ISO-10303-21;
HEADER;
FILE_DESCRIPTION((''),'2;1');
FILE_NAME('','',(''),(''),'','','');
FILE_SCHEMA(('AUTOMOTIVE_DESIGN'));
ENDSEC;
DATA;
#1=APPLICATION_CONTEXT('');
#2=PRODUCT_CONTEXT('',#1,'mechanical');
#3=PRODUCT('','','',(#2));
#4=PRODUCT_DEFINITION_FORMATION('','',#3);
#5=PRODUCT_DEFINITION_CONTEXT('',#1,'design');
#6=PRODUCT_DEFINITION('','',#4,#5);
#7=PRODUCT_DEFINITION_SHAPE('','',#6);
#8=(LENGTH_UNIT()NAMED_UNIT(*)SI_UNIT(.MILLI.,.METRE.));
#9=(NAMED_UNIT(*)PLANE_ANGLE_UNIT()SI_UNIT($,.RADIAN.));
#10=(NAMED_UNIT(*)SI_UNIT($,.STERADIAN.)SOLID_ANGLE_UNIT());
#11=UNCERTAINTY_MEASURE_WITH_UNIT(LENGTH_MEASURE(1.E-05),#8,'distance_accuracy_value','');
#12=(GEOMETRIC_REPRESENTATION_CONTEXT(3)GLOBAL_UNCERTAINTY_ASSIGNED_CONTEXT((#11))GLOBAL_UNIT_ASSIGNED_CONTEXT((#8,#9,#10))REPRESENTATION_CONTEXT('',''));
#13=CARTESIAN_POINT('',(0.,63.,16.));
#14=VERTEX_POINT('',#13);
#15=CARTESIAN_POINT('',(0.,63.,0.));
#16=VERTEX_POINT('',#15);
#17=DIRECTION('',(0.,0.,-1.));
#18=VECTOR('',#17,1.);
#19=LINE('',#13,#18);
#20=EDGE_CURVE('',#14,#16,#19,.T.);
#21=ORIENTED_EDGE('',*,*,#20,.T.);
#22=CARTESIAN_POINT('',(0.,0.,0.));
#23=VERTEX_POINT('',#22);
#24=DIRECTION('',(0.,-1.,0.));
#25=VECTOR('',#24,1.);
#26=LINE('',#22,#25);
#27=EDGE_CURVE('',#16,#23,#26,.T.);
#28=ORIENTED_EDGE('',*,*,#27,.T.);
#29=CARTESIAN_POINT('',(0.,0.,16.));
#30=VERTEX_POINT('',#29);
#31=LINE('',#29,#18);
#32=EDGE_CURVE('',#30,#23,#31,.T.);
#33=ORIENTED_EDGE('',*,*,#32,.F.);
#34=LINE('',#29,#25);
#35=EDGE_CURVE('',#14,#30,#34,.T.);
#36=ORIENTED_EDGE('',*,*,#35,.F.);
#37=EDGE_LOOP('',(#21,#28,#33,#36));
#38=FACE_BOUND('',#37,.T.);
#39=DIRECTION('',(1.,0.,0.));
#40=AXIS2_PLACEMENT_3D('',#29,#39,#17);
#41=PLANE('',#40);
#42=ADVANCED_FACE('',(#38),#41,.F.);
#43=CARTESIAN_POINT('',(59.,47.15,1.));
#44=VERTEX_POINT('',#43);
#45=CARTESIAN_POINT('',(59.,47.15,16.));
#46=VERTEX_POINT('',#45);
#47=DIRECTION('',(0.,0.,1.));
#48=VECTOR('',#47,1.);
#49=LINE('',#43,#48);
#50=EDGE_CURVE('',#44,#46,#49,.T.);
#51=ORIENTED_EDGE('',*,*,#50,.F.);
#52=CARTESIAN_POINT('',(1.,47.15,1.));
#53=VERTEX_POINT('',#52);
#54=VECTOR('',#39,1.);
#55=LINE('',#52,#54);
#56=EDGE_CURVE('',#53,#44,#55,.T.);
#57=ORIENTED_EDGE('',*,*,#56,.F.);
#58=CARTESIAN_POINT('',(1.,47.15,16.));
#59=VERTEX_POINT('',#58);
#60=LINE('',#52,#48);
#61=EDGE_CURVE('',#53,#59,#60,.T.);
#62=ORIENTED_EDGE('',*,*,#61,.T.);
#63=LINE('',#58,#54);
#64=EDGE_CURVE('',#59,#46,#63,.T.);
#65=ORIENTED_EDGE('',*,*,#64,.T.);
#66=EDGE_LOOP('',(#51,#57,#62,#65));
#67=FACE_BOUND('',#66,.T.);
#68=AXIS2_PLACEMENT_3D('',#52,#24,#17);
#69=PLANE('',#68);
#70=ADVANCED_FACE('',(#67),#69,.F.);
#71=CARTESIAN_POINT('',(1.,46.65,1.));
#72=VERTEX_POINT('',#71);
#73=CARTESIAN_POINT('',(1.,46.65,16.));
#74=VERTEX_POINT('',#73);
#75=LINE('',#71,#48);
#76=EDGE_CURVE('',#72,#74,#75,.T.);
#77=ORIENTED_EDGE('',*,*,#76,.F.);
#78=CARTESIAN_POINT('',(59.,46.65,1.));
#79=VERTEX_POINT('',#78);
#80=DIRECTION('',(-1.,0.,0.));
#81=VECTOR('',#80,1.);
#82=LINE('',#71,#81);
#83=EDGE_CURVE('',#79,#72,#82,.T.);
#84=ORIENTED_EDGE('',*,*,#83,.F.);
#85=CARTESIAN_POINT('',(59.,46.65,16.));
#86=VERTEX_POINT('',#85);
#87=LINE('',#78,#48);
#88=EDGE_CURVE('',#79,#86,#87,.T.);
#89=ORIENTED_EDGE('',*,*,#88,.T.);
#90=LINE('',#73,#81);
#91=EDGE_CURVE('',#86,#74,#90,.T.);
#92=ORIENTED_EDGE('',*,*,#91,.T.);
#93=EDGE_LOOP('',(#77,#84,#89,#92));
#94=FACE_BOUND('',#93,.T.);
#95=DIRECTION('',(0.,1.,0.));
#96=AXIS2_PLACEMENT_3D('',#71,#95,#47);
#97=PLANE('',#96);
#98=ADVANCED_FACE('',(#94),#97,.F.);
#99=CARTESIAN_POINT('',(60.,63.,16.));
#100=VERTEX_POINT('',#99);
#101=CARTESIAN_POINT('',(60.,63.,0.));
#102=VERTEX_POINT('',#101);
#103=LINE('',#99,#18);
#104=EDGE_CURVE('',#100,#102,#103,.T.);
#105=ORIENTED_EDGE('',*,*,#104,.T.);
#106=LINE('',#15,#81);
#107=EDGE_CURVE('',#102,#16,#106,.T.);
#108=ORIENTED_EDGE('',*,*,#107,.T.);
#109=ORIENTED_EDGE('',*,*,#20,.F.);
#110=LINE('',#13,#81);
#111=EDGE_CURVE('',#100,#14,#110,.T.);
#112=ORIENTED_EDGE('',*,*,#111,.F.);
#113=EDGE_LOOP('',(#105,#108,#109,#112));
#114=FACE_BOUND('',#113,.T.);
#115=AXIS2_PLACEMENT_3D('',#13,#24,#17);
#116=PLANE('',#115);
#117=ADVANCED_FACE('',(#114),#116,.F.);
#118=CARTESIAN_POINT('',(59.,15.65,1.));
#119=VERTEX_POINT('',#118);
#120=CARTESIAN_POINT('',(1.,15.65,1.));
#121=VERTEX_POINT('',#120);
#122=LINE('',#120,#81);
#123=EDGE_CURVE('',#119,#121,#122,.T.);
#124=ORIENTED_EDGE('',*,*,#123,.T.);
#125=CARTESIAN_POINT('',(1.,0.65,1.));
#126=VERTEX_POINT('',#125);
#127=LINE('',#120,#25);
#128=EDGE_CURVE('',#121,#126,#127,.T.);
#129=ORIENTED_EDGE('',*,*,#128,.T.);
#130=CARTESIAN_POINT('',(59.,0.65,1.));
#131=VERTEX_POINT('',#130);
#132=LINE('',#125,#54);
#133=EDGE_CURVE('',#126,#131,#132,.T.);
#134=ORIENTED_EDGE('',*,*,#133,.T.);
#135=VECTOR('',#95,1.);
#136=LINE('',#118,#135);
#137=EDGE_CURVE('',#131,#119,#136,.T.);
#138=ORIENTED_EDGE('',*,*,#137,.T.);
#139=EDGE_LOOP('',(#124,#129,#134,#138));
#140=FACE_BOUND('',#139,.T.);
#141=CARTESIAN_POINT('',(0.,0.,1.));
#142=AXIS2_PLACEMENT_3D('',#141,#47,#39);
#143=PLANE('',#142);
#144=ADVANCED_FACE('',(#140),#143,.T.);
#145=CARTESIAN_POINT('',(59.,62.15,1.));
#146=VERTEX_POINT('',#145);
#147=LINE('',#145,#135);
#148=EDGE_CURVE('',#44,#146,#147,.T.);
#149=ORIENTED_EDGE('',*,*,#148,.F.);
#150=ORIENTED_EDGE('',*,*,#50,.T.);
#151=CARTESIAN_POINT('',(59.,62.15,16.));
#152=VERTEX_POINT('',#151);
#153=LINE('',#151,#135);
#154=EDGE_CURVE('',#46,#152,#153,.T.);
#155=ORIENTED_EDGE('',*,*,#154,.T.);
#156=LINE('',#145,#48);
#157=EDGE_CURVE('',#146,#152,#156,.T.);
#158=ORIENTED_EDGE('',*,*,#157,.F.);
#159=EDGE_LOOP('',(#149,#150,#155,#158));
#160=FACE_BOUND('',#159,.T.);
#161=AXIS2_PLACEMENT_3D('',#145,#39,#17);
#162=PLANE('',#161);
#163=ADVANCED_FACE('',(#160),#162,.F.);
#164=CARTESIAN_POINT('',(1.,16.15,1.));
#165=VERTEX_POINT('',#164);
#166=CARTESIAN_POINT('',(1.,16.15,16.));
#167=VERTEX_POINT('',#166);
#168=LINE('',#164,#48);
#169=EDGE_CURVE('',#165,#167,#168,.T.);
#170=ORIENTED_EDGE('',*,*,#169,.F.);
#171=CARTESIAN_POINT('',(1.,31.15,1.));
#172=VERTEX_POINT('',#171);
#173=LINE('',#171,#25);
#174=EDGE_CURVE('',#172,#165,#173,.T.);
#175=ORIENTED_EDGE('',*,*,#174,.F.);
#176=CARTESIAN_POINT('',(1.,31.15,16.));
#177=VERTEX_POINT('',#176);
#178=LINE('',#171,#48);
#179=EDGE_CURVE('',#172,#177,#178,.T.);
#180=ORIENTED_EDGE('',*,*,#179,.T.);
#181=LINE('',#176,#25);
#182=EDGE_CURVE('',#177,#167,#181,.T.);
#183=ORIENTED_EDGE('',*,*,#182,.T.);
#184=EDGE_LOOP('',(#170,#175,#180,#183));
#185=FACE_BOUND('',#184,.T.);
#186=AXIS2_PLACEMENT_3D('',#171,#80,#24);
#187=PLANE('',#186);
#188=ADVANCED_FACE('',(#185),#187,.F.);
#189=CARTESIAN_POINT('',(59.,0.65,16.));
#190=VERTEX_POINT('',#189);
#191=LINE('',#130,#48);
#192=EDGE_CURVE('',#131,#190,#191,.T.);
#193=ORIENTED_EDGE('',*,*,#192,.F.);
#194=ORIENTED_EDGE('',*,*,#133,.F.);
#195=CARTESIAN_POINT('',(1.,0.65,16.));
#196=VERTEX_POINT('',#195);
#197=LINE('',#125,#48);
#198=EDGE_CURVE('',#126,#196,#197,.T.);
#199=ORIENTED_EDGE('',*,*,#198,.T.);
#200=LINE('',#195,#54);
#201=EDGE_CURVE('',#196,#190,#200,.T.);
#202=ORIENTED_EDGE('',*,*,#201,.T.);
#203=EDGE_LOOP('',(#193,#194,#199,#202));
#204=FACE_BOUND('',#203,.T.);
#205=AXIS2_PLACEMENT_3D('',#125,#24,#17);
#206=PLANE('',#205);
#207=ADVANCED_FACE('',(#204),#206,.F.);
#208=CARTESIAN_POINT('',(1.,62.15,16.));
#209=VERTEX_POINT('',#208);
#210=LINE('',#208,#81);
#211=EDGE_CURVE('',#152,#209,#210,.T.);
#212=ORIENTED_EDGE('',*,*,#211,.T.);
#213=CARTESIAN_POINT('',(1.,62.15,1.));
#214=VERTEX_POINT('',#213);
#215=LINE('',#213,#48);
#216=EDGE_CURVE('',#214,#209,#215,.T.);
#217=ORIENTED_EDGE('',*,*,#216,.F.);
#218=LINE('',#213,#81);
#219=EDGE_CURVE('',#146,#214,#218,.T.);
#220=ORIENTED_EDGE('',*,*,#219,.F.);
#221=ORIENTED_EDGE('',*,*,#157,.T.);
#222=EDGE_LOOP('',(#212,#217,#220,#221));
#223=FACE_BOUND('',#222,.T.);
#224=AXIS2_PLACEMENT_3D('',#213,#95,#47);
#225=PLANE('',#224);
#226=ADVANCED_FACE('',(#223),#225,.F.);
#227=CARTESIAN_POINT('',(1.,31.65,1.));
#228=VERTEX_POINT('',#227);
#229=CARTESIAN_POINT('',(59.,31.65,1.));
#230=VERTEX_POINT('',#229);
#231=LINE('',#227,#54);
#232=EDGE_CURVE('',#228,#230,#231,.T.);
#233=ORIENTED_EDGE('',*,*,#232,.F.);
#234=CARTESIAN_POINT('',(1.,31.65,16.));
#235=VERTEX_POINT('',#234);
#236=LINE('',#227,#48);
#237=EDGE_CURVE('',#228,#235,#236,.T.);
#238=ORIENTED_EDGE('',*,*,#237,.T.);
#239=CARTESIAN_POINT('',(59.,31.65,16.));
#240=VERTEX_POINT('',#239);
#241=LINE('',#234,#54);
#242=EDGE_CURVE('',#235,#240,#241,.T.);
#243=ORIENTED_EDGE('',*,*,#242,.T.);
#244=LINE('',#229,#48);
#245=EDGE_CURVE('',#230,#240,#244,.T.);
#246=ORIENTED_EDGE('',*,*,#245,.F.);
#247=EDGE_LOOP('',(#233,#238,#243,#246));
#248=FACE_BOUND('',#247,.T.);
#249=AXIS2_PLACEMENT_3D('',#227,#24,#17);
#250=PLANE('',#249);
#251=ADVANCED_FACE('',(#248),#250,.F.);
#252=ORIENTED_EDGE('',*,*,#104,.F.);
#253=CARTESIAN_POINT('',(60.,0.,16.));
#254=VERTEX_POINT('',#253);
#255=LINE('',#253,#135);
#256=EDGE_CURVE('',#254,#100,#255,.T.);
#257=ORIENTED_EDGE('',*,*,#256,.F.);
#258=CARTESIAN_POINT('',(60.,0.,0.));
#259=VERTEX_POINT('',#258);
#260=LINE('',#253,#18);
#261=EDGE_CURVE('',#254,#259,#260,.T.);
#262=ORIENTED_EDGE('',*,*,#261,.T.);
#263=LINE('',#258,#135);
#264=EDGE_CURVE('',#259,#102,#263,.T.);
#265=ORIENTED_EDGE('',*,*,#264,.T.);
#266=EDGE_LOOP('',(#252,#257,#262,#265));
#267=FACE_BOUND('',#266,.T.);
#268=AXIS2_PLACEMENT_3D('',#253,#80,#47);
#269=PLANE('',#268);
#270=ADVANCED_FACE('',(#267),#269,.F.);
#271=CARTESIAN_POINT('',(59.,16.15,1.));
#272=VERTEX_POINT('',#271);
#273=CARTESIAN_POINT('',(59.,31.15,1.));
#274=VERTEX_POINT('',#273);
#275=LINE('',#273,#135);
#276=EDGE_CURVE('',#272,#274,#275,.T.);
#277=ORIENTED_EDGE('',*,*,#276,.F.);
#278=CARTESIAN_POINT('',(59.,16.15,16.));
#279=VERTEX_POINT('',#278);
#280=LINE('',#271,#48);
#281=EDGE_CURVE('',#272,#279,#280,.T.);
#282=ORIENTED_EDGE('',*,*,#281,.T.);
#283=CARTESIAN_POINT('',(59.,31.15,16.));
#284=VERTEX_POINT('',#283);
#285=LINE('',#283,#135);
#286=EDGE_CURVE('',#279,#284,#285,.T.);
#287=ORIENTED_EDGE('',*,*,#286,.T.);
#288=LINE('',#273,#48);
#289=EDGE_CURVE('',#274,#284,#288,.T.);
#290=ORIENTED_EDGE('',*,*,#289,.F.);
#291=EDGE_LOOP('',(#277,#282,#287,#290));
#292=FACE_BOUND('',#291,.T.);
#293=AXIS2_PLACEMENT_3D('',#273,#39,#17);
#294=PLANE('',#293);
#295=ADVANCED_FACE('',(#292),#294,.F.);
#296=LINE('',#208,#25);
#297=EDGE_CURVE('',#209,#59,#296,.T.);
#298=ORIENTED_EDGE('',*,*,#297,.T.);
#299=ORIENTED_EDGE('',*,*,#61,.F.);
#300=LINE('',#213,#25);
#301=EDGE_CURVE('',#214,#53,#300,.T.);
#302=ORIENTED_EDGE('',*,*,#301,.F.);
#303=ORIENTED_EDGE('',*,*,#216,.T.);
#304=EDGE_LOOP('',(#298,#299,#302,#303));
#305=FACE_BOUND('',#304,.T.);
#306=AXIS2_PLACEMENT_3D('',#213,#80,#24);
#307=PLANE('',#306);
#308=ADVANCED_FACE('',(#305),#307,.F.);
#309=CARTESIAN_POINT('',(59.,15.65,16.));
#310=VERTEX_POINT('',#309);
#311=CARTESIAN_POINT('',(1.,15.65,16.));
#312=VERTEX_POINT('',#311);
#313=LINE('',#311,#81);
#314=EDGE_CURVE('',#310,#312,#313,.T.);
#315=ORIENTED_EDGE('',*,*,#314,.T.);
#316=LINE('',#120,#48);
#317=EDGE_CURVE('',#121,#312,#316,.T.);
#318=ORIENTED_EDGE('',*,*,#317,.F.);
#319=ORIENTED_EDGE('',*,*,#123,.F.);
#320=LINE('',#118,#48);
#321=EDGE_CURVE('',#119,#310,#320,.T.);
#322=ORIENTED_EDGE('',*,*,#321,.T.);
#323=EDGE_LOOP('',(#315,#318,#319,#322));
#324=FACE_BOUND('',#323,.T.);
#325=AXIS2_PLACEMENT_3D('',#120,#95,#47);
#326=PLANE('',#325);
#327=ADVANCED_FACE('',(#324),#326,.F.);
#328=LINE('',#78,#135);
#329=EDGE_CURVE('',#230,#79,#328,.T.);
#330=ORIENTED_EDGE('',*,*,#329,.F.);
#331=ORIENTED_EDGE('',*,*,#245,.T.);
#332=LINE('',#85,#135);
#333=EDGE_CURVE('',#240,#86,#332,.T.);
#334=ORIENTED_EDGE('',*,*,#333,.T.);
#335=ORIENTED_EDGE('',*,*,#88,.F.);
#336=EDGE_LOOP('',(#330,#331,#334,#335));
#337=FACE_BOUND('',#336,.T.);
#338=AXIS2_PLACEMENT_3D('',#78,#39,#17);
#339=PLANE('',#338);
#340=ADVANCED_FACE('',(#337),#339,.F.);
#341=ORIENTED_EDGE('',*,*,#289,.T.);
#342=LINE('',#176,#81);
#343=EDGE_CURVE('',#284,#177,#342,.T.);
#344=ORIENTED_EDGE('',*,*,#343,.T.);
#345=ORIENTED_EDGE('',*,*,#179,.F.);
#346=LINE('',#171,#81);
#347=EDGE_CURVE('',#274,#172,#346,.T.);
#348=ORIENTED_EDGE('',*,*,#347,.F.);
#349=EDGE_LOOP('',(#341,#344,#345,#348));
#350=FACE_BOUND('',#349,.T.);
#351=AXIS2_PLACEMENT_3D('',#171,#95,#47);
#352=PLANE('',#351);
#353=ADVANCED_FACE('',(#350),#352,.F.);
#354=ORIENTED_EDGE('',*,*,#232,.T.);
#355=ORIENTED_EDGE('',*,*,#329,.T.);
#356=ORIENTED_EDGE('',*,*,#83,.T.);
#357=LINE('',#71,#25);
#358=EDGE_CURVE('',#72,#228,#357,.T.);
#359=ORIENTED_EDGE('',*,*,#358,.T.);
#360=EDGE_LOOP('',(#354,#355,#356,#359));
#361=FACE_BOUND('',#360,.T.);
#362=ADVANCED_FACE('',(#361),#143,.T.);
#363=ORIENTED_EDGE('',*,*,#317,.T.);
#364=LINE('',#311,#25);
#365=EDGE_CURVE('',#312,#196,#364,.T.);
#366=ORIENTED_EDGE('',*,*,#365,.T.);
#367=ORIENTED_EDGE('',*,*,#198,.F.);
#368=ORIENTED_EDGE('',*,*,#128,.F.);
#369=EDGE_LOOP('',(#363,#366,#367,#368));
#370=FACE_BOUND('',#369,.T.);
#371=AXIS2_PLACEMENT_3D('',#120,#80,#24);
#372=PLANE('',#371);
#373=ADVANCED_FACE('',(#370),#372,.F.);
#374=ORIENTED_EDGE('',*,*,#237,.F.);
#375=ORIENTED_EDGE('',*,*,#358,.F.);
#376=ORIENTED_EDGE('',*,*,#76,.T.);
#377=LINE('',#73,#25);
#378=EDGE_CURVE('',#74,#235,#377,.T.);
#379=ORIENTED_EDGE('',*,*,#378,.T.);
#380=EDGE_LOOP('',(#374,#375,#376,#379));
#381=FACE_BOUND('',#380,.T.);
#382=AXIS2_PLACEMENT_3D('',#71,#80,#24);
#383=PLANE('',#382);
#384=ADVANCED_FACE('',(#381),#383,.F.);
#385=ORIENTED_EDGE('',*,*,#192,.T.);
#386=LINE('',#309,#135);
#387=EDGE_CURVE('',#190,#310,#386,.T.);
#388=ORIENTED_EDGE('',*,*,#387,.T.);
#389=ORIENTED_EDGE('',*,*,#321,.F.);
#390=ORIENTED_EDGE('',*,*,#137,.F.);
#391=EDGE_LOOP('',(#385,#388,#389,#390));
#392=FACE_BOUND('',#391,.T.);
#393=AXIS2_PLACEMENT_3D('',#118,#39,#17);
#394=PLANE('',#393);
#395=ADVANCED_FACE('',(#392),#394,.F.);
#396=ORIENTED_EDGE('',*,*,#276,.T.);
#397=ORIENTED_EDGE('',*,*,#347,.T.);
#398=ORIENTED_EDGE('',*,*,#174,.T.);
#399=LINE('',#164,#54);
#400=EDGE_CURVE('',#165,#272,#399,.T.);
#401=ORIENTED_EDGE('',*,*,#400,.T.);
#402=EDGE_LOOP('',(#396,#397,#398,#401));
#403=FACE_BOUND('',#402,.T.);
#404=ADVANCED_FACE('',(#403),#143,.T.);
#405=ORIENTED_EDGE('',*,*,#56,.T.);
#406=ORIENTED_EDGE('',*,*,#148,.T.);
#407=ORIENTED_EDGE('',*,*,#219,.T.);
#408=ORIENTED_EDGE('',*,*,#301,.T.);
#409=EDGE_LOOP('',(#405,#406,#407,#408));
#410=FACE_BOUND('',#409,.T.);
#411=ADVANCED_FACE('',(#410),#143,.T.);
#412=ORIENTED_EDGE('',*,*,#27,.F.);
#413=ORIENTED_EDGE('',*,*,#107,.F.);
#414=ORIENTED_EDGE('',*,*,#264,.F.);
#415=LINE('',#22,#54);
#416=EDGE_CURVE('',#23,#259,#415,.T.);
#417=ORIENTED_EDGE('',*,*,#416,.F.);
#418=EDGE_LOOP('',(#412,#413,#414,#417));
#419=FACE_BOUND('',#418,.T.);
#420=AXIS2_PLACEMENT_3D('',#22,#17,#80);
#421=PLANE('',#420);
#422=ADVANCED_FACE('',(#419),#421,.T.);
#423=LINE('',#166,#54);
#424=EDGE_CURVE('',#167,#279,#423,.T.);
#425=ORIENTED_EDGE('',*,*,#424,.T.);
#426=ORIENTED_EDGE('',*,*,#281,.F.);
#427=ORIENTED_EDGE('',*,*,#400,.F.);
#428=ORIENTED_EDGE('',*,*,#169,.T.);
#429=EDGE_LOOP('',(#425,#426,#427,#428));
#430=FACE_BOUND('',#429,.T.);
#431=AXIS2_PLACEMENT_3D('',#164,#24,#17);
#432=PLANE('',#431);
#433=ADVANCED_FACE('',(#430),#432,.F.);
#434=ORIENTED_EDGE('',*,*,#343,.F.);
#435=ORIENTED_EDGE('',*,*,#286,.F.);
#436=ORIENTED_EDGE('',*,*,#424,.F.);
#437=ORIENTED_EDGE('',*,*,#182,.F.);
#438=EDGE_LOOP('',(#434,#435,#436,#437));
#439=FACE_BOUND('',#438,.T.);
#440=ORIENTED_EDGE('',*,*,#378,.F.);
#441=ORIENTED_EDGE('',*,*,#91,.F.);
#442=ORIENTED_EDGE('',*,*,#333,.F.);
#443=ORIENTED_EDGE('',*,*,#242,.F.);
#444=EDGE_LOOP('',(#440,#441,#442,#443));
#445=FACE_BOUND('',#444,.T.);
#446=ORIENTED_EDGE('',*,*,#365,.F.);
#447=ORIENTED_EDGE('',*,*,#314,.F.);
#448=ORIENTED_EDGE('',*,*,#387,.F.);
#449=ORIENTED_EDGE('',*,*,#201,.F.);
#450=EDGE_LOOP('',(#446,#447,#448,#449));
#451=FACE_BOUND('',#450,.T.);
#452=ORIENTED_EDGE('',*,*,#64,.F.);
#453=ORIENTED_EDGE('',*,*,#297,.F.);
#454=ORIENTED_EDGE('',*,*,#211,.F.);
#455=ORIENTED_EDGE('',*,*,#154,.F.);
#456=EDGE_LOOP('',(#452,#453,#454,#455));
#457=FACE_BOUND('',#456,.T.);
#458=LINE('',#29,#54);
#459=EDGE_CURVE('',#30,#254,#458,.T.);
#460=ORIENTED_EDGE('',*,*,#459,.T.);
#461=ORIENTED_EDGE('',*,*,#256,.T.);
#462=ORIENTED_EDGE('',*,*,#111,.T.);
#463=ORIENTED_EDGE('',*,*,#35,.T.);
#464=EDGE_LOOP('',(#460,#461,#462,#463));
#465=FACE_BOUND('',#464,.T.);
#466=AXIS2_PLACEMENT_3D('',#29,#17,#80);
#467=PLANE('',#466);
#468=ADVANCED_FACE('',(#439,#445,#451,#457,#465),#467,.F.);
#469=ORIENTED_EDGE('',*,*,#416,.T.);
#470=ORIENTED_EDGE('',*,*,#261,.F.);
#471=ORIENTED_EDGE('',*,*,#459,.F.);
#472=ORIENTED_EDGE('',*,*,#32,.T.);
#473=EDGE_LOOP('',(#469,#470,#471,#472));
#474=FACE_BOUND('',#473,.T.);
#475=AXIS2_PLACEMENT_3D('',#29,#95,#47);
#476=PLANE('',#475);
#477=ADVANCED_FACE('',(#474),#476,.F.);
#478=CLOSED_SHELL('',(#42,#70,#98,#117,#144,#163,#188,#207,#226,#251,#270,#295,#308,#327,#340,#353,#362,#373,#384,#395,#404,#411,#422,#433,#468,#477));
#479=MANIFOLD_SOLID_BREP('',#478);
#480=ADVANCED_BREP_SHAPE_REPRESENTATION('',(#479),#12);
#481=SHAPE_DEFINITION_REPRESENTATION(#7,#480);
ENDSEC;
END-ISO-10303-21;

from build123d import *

# Parameters (mm, degrees)
SKETCH1_W           = 60
SKETCH1_H           = 63
BOSS_EXTRUDE1_DEPTH = 16
SKETCH3_W           = 58
SKETCH3_H           = 15
CUT_EXTRUDE1_DEPTH  = 15


with BuildPart() as part:
    # Sketch1 → Boss-Extrude1 (new body)
    with BuildSketch(Plane.XY):
        with Locations((30, 31.5)):
            Rectangle(SKETCH1_W, SKETCH1_H)
    extrude(amount=BOSS_EXTRUDE1_DEPTH)

    # Sketch3 → Cut-Extrude1 (cut)
    with BuildSketch(Plane.XY.offset(16)):
        with Locations((30, 8.15)):
            Rectangle(SKETCH3_W, SKETCH3_H)
        with Locations((30, 23.65)):
            Rectangle(SKETCH3_W, SKETCH3_H)
        with Locations((30, 39.15)):
            Rectangle(SKETCH3_W, SKETCH3_H)
        with Locations((30, 54.65)):
            Rectangle(SKETCH3_W, SKETCH3_H)
    extrude(amount=-CUT_EXTRUDE1_DEPTH, mode=Mode.SUBTRACT)


solid = part.part
